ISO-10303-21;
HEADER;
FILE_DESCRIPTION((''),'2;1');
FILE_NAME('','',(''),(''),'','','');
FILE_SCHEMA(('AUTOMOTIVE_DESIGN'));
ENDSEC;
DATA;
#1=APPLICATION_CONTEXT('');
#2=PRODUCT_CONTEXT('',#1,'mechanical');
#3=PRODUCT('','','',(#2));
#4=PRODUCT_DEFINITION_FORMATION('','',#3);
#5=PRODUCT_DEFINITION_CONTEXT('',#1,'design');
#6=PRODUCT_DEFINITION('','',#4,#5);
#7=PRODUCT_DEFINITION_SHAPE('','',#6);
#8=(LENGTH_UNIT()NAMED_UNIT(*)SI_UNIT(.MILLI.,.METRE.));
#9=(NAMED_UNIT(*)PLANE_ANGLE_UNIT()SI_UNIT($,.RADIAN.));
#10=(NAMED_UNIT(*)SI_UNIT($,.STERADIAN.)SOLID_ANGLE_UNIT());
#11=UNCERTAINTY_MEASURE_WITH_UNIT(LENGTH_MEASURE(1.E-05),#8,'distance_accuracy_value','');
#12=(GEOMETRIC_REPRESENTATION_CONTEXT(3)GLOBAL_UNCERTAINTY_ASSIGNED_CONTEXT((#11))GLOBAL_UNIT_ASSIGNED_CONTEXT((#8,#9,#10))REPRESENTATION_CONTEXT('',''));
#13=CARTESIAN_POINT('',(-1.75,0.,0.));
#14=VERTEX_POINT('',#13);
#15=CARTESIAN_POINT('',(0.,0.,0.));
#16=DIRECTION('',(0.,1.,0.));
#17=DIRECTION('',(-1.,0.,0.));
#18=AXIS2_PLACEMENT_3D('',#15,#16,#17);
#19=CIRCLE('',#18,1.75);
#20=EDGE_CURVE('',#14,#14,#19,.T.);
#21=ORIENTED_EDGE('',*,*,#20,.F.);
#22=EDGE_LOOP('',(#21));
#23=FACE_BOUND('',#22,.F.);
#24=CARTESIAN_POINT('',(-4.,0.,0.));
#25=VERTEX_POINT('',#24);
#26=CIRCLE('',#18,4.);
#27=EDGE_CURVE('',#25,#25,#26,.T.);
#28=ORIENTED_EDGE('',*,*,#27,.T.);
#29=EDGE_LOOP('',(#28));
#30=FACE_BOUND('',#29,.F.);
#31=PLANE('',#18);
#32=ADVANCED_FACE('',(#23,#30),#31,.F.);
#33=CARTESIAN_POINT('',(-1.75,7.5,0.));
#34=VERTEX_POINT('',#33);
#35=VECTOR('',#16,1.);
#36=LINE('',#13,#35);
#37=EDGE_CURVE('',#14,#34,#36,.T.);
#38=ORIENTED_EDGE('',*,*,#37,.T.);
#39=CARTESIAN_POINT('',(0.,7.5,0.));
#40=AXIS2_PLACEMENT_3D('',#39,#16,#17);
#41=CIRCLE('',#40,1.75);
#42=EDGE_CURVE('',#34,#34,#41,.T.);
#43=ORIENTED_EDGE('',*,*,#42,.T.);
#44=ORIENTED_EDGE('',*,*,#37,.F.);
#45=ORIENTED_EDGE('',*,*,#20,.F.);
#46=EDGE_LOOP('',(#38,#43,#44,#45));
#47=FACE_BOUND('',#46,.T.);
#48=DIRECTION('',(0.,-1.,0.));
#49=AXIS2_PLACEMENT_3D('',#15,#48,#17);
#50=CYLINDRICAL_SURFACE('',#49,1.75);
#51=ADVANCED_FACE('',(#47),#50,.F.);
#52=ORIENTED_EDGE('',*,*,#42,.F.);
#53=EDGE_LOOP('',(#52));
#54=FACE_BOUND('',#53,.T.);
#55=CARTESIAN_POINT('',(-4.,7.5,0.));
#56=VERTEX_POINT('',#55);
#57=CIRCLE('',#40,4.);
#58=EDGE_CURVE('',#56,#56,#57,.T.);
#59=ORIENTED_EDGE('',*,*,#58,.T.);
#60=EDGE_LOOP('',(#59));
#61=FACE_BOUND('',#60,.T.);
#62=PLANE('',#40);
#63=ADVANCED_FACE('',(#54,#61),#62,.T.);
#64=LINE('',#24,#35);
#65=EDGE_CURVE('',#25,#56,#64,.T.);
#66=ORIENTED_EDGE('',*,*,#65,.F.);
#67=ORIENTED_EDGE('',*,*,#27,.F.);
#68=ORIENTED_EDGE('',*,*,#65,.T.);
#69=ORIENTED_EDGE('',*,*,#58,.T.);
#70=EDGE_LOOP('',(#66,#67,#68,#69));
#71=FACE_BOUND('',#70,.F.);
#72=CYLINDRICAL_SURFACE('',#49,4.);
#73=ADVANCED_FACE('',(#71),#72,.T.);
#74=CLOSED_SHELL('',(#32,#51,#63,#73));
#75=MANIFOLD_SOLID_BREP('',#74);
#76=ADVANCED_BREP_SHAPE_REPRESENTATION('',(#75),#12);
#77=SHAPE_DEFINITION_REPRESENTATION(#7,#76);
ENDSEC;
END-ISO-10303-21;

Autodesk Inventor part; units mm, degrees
ref_plane "YZ Plane" through (0, 0, 0) normal (1, 0, 0) x (0, 1, 0)
ref_plane "XZ Plane" through (0, 0, 0) normal (0, 1, 0) x (-1, 0, 0)
ref_plane "XY Plane" through (0, 0, 0) normal (0, 0, 1) x (1, 0, 0)
sketch "Sketch1" plane through (0, 0, 0) normal (0, 1, 0) x (-1, 0, 0)
  circle A0 centre (0, 0) radius 1.75
  circle A1 centre (0, 0) radius 4
  dimension "d0" = 3.5
  dimension "d1" = 8
extrude "Extrusion1" add sketch "Sketch1" along normal blind 7.5
properties part number "spacer_7.5mm"
